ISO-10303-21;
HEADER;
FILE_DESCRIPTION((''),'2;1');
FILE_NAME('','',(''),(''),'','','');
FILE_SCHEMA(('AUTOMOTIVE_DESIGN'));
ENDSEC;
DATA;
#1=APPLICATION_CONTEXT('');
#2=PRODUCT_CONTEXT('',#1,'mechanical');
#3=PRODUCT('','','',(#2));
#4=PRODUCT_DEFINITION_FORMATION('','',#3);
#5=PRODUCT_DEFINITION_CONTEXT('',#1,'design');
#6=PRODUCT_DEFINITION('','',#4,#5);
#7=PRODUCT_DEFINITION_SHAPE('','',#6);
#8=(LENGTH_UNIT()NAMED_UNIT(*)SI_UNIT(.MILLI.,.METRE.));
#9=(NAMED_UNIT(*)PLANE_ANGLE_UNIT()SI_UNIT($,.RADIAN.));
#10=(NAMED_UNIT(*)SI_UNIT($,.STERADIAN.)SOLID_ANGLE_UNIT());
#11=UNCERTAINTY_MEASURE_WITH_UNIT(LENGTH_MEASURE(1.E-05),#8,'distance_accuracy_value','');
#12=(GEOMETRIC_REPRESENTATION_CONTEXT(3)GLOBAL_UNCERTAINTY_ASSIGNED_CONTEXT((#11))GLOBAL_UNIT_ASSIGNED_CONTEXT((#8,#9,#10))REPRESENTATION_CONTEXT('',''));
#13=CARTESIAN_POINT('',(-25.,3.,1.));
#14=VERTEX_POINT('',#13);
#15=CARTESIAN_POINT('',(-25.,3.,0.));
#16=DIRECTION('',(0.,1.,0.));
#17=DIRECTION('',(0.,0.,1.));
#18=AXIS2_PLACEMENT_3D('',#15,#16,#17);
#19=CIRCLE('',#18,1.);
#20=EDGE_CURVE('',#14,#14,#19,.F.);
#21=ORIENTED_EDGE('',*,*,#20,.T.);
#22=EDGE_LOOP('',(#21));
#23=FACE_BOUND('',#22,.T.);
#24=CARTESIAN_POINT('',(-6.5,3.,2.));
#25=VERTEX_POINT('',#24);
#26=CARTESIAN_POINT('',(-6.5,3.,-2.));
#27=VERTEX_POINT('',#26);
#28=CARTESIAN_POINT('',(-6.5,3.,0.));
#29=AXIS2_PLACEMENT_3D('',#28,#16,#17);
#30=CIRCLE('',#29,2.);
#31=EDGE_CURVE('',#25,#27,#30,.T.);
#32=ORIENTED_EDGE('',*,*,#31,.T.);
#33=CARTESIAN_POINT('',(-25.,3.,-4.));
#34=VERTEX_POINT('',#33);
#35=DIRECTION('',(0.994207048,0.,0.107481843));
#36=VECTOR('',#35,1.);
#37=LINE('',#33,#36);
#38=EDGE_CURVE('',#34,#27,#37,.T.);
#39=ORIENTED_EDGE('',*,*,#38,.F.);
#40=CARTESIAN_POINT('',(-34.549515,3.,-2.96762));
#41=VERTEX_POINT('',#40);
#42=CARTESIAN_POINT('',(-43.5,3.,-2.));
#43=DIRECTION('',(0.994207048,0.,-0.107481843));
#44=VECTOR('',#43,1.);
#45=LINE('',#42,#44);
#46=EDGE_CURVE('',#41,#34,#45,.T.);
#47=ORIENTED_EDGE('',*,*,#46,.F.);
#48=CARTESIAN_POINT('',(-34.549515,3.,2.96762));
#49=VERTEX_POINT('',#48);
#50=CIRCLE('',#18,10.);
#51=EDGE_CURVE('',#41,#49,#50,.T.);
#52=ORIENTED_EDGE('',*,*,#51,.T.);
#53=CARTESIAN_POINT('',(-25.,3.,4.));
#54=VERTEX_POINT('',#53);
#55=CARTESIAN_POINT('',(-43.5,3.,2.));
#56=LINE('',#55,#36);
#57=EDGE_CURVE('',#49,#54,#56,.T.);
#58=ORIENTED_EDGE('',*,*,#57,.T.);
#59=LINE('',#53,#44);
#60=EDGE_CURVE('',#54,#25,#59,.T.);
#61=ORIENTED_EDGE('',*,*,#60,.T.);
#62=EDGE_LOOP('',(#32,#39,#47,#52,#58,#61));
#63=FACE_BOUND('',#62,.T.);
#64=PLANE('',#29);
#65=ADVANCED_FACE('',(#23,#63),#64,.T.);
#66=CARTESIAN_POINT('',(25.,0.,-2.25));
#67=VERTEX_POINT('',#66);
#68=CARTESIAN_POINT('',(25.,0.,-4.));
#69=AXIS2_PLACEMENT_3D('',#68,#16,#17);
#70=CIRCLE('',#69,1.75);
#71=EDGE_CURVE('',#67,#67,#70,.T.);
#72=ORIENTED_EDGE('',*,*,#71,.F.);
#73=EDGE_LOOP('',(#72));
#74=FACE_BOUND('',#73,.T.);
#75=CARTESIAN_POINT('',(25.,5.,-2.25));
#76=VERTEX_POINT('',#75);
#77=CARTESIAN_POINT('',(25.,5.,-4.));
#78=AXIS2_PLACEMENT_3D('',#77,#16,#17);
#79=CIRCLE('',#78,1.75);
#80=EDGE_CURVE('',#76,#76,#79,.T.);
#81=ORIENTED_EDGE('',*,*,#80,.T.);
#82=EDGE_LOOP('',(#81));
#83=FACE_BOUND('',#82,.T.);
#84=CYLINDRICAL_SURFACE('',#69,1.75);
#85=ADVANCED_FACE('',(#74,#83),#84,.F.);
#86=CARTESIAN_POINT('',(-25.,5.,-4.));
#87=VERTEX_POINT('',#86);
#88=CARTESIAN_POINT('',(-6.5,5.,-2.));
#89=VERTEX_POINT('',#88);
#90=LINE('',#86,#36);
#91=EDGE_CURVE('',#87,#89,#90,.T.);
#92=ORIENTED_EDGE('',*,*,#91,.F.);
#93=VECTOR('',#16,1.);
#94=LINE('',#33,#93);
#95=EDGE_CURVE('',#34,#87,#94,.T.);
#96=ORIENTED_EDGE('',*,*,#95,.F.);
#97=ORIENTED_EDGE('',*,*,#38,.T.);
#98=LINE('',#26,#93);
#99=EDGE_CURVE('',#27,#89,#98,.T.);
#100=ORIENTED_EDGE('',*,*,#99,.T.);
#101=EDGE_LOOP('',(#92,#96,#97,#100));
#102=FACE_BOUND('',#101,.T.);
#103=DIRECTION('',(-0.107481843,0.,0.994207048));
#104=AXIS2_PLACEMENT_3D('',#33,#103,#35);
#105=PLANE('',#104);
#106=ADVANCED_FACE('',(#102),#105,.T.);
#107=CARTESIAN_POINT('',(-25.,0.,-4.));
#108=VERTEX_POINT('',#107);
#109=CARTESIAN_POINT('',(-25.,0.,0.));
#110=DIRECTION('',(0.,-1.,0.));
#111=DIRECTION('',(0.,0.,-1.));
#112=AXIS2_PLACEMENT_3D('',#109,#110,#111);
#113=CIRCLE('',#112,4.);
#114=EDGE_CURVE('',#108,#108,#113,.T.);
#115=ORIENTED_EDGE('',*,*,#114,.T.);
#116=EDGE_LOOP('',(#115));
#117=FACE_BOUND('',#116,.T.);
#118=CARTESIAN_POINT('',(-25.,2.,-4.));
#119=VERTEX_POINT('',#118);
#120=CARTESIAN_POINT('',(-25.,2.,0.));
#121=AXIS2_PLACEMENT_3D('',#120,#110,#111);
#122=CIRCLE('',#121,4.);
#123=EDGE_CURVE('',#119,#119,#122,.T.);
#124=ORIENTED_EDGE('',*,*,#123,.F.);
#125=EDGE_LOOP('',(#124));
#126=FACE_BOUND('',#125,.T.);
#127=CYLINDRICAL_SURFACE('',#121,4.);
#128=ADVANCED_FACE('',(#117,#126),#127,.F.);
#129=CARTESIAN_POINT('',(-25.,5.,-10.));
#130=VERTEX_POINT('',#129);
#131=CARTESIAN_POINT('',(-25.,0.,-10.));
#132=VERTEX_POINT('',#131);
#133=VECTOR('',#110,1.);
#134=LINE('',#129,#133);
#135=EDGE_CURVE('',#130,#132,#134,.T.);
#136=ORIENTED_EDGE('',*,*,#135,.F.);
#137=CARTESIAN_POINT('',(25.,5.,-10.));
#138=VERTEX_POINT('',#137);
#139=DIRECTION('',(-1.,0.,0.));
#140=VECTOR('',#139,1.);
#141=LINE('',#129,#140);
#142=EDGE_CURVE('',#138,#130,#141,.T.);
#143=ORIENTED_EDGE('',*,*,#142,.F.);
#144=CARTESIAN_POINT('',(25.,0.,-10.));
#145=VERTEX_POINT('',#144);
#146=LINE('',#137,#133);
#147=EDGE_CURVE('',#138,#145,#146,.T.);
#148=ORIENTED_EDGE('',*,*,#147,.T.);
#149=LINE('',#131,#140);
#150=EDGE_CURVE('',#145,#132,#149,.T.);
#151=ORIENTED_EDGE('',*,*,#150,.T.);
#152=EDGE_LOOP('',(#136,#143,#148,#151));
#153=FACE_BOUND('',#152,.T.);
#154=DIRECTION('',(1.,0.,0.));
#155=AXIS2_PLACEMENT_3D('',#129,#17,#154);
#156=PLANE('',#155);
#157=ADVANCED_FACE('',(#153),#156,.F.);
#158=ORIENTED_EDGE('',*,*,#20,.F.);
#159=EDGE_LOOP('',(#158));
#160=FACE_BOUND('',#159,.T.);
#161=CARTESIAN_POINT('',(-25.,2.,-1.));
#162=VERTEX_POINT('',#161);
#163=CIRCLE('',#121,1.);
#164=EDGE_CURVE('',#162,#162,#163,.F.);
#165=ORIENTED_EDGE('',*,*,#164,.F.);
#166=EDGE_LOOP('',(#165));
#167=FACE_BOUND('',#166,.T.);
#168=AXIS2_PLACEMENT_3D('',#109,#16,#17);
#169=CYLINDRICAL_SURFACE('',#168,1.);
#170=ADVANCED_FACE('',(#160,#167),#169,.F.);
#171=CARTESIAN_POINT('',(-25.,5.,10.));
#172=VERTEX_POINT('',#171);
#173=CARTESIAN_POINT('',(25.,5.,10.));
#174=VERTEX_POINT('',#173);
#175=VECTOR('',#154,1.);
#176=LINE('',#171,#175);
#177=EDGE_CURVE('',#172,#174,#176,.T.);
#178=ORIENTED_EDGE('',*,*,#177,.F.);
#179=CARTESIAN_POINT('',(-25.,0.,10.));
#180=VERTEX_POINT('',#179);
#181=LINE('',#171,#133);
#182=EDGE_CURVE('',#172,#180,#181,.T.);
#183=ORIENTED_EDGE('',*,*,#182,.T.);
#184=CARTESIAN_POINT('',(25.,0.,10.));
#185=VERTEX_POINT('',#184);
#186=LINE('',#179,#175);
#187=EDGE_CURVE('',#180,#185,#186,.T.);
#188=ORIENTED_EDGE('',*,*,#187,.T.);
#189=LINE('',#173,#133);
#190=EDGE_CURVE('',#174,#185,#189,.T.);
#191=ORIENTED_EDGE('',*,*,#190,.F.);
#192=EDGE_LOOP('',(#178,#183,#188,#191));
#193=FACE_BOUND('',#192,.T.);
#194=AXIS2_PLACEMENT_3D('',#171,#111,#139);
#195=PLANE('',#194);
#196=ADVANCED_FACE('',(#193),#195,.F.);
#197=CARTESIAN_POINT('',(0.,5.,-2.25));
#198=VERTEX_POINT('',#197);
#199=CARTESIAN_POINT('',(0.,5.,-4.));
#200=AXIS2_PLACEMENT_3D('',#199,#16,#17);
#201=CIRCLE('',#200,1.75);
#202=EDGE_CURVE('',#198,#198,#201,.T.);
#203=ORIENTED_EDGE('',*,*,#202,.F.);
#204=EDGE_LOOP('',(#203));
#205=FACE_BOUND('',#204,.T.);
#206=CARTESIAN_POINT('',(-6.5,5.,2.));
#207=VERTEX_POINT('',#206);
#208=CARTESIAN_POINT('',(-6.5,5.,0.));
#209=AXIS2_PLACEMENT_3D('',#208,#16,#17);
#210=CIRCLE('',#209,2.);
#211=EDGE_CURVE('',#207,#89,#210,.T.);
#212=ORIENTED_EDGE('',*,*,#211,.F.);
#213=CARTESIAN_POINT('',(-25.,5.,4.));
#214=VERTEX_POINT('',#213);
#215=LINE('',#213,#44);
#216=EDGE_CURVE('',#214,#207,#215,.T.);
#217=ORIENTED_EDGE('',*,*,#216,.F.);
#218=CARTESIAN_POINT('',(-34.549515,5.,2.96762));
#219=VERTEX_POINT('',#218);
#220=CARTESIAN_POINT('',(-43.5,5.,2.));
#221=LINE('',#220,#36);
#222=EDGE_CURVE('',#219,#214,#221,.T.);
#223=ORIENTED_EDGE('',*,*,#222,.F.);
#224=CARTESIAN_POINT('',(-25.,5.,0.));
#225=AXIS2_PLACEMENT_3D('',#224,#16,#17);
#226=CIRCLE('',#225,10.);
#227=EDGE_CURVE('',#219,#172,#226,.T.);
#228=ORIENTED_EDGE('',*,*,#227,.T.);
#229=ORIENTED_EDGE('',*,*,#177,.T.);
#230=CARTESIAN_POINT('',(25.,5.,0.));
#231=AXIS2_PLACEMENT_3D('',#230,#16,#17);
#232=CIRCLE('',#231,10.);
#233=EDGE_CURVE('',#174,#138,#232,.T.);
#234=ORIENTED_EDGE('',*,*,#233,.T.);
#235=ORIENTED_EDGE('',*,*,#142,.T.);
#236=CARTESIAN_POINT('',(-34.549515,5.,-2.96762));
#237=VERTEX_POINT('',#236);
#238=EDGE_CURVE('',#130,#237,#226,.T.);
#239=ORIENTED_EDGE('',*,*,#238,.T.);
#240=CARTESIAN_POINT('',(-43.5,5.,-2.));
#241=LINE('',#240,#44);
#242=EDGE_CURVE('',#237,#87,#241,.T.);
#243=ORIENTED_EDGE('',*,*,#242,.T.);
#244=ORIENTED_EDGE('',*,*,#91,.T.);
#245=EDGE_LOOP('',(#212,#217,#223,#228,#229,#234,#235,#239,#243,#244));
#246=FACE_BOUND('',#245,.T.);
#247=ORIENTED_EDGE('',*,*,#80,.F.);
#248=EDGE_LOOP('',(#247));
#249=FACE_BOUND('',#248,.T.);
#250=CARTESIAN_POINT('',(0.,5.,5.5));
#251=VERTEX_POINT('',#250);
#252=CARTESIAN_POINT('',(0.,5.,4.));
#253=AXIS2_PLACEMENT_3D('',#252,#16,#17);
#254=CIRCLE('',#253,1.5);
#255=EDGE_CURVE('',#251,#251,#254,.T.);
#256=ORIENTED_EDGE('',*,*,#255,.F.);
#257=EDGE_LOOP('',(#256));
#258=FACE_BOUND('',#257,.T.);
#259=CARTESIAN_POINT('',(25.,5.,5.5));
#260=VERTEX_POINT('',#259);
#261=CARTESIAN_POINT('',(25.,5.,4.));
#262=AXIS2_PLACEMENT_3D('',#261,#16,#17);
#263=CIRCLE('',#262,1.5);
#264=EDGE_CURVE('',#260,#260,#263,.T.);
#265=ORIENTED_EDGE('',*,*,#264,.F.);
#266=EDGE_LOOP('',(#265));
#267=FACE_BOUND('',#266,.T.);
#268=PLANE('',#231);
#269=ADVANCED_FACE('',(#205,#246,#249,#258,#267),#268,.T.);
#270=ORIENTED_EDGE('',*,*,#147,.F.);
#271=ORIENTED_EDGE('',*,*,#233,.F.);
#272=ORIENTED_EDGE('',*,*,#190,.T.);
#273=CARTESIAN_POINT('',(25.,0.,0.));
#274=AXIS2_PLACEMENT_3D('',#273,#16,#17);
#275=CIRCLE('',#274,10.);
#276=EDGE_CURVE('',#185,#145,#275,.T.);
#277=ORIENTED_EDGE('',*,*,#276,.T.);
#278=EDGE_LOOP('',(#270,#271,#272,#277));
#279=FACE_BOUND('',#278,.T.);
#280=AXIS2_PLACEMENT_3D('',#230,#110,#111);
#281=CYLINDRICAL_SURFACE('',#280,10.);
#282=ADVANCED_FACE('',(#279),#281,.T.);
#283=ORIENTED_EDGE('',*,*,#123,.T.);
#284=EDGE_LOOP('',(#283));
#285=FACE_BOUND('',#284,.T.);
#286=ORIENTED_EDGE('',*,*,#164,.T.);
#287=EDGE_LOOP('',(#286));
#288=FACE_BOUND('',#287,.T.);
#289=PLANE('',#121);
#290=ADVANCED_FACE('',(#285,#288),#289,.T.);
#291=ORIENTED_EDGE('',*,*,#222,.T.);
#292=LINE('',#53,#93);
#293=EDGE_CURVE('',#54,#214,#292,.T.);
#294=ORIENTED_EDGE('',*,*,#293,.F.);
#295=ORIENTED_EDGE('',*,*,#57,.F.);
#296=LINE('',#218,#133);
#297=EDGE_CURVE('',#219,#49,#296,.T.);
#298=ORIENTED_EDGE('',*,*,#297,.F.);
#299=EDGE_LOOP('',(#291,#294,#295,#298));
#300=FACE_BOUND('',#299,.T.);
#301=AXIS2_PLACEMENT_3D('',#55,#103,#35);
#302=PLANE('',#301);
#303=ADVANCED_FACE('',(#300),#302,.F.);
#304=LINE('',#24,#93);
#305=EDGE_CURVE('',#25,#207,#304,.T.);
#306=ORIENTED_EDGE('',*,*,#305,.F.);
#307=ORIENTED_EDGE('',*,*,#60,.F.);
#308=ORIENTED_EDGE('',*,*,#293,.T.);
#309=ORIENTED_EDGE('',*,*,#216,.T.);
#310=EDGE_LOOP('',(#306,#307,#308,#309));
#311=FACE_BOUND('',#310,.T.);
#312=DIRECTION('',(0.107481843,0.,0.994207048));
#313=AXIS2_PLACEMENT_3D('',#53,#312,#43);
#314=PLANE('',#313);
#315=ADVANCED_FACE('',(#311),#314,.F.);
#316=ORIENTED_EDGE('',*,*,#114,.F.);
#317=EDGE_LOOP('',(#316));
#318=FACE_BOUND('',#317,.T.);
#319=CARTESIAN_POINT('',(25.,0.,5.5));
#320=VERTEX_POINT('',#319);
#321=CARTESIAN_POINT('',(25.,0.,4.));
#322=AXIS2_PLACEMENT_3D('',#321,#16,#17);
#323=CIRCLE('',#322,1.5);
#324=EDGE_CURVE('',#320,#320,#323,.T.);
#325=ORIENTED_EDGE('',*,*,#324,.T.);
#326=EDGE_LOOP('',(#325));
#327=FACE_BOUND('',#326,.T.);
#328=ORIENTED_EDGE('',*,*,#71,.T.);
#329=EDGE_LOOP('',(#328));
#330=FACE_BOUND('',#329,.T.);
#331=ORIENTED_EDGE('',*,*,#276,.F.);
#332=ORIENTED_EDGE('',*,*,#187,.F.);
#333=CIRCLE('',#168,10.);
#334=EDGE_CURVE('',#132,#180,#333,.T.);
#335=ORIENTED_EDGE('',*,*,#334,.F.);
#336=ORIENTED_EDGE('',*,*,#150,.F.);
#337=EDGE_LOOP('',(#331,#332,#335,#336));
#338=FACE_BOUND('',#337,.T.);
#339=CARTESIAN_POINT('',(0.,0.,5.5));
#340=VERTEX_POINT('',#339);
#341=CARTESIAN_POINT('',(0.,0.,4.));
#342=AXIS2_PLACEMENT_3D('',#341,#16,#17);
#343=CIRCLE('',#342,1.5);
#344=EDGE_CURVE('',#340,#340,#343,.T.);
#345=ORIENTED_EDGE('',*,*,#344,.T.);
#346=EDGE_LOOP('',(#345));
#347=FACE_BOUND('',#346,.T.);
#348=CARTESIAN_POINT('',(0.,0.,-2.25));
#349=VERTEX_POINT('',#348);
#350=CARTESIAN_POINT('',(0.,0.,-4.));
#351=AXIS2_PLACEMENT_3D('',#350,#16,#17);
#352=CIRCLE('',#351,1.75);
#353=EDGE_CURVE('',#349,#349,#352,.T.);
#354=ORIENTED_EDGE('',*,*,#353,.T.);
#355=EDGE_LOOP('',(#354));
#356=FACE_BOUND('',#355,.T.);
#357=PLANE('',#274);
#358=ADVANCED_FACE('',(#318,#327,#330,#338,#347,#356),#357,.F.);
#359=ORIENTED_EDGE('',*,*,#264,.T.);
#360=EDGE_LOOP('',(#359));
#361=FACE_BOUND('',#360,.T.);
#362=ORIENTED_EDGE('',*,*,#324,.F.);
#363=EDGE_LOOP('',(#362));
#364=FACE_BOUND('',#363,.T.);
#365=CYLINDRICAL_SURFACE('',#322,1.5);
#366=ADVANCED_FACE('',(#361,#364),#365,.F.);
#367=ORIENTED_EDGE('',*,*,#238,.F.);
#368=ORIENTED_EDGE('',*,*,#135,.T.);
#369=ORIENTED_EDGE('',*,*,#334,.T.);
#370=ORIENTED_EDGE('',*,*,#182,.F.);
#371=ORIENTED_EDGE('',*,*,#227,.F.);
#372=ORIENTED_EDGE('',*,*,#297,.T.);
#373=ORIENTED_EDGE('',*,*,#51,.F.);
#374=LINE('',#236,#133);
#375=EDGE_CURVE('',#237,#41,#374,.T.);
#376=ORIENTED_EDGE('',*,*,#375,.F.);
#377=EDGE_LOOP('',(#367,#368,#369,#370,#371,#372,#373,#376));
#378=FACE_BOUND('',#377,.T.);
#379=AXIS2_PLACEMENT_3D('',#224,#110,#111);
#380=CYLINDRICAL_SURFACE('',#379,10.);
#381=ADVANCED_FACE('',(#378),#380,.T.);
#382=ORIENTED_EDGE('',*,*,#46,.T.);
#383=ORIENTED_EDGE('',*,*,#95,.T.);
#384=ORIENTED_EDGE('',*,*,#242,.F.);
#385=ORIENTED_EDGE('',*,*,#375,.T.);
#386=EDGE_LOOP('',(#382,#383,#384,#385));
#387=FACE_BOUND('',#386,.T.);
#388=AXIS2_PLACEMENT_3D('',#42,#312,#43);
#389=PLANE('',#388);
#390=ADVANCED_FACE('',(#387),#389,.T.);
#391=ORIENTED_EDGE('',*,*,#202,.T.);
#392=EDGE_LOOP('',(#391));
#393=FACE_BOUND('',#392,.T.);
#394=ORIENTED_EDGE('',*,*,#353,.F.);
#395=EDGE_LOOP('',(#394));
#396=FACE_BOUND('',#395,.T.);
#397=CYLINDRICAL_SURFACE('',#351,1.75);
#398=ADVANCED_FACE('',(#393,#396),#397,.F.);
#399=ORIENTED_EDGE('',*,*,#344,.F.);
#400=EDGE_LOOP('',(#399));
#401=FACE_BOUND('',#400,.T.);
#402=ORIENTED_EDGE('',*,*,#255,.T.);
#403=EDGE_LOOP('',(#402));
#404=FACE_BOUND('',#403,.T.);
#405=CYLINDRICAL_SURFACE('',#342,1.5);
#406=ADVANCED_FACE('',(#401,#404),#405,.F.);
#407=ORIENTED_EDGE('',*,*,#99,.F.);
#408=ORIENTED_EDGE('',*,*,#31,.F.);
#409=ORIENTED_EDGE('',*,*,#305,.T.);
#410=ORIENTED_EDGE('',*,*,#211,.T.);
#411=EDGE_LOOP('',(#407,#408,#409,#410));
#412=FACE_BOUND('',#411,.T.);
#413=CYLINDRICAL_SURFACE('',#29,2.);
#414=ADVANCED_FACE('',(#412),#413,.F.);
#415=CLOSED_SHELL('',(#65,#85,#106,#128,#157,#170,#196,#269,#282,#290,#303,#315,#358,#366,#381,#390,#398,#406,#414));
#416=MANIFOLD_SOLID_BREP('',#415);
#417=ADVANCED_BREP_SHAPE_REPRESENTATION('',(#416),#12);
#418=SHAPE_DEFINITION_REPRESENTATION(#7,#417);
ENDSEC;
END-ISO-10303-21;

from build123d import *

# Parameters (mm, degrees)
BOSS_EXTRUDE1_DEPTH = 5
CUT_EXTRUDE4_DEPTH  = 37.742346142
CUT_EXTRUDE5_DEPTH  = 2
SKETCH7_R           = 4
CUT_EXTRUDE6_DEPTH  = 2
CUT_EXTRUDE10_DEPTH = 37.742346142
SKETCH12_R          = 1.75
SKETCH12_R_2        = 1.5
CUT_EXTRUDE11_DEPTH = 37.742346142


with BuildPart() as part:
    # Sketch1 → Boss-Extrude1 (new body)
    with BuildSketch(Plane(origin=(0, 0, 0), x_dir=(1, 0, 0), z_dir=(0, 1, 0))):
        with BuildLine():
            Line((-25, 10), (25, 10))
            ThreePointArc((25, 10), (35, 0), (25, -10))
            Line((25, -10), (-25, -10))
            ThreePointArc((-25, -10), (-35, 0), (-25, 10))
        make_face()
    extrude(amount=BOSS_EXTRUDE1_DEPTH)

    # Sketch5 → Cut-Extrude4 (cut, through all)
    with BuildSketch(Plane(origin=(0, 5, 0), x_dir=(1, 0, 0), z_dir=(0, 1, 0))):
        with BuildLine():
            ThreePointArc((-24, 0), (-24.292893219, 0.707106781), (-25, 1))
            Line((-25, 1), (-25, -1))
            ThreePointArc((-25, -1), (-24.292893219, -0.707106781), (-24, 0))
        make_face()
        with BuildLine():
            Line((-25, -1), (-25, 1))
            ThreePointArc((-25, 1), (-26, 0), (-25, -1))
        make_face()
    extrude(amount=-CUT_EXTRUDE4_DEPTH, mode=Mode.SUBTRACT)

    # Sketch6 → Cut-Extrude5 (cut)
    with BuildSketch(Plane(origin=(0, 5, 0), x_dir=(1, 0, 0), z_dir=(0, 1, 0))):
        with BuildLine():
            Line((-43.5, 2), (-25, 4))
            Line((-25, 4), (-6.5, 2))
            ThreePointArc((-6.5, 2), (-4.5, 0), (-6.5, -2))
            Line((-6.5, -2), (-25, -4))
            Line((-25, -4), (-43.5, -2))
            ThreePointArc((-43.5, -2), (-45.5, 0), (-43.5, 2))
        make_face()
    extrude(amount=-CUT_EXTRUDE5_DEPTH, mode=Mode.SUBTRACT)

    # Sketch7 → Cut-Extrude6 (cut)
    with BuildSketch(Plane.XZ):
        with Locations(Location((-25, 0, 0), (0, 0, 270))):
            Circle(SKETCH7_R)
    extrude(amount=-CUT_EXTRUDE6_DEPTH, mode=Mode.SUBTRACT)

    # Sketch11 → Cut-Extrude10 (cut, through all)
    with BuildSketch(Plane(origin=(0, 5, 0), x_dir=(1, 0, 0), z_dir=(0, 1, 0))):
        with BuildLine():
            ThreePointArc((26.75, 4), (26.237436867, 5.237436867), (25, 5.75))
            Line((25, 5.75), (25, 2.25))
            ThreePointArc((25, 2.25), (26.237436867, 2.762563133), (26.75, 4))
        make_face()
        with BuildLine():
            Line((25, 2.25), (25, 5.75))
            ThreePointArc((25, 5.75), (23.25, 4), (25, 2.25))
        make_face()
        with BuildLine():
            ThreePointArc((26.5, -4), (26.060660172, -2.939339828), (25, -2.5))
            Line((25, -2.5), (25, -5.5))
            ThreePointArc((25, -5.5), (26.060660172, -5.060660172), (26.5, -4))
        make_face()
        with BuildLine():
            Line((25, -5.5), (25, -2.5))
            ThreePointArc((25, -2.5), (23.5, -4), (25, -5.5))
        make_face()
    extrude(amount=-CUT_EXTRUDE10_DEPTH, mode=Mode.SUBTRACT)

    # Sketch12 → Cut-Extrude11 (cut, through all)
    with BuildSketch(Plane(origin=(0, 5, 0), x_dir=(1, 0, 0), z_dir=(0, 1, 0))):
        with Locations(Location((0, 4, 0), (0, 0, 270))):
            Circle(SKETCH12_R)
        with Locations(Location((0, -4, 0), (0, 0, 270))):
            Circle(SKETCH12_R_2)
    extrude(amount=-CUT_EXTRUDE11_DEPTH, mode=Mode.SUBTRACT)


solid = part.part
